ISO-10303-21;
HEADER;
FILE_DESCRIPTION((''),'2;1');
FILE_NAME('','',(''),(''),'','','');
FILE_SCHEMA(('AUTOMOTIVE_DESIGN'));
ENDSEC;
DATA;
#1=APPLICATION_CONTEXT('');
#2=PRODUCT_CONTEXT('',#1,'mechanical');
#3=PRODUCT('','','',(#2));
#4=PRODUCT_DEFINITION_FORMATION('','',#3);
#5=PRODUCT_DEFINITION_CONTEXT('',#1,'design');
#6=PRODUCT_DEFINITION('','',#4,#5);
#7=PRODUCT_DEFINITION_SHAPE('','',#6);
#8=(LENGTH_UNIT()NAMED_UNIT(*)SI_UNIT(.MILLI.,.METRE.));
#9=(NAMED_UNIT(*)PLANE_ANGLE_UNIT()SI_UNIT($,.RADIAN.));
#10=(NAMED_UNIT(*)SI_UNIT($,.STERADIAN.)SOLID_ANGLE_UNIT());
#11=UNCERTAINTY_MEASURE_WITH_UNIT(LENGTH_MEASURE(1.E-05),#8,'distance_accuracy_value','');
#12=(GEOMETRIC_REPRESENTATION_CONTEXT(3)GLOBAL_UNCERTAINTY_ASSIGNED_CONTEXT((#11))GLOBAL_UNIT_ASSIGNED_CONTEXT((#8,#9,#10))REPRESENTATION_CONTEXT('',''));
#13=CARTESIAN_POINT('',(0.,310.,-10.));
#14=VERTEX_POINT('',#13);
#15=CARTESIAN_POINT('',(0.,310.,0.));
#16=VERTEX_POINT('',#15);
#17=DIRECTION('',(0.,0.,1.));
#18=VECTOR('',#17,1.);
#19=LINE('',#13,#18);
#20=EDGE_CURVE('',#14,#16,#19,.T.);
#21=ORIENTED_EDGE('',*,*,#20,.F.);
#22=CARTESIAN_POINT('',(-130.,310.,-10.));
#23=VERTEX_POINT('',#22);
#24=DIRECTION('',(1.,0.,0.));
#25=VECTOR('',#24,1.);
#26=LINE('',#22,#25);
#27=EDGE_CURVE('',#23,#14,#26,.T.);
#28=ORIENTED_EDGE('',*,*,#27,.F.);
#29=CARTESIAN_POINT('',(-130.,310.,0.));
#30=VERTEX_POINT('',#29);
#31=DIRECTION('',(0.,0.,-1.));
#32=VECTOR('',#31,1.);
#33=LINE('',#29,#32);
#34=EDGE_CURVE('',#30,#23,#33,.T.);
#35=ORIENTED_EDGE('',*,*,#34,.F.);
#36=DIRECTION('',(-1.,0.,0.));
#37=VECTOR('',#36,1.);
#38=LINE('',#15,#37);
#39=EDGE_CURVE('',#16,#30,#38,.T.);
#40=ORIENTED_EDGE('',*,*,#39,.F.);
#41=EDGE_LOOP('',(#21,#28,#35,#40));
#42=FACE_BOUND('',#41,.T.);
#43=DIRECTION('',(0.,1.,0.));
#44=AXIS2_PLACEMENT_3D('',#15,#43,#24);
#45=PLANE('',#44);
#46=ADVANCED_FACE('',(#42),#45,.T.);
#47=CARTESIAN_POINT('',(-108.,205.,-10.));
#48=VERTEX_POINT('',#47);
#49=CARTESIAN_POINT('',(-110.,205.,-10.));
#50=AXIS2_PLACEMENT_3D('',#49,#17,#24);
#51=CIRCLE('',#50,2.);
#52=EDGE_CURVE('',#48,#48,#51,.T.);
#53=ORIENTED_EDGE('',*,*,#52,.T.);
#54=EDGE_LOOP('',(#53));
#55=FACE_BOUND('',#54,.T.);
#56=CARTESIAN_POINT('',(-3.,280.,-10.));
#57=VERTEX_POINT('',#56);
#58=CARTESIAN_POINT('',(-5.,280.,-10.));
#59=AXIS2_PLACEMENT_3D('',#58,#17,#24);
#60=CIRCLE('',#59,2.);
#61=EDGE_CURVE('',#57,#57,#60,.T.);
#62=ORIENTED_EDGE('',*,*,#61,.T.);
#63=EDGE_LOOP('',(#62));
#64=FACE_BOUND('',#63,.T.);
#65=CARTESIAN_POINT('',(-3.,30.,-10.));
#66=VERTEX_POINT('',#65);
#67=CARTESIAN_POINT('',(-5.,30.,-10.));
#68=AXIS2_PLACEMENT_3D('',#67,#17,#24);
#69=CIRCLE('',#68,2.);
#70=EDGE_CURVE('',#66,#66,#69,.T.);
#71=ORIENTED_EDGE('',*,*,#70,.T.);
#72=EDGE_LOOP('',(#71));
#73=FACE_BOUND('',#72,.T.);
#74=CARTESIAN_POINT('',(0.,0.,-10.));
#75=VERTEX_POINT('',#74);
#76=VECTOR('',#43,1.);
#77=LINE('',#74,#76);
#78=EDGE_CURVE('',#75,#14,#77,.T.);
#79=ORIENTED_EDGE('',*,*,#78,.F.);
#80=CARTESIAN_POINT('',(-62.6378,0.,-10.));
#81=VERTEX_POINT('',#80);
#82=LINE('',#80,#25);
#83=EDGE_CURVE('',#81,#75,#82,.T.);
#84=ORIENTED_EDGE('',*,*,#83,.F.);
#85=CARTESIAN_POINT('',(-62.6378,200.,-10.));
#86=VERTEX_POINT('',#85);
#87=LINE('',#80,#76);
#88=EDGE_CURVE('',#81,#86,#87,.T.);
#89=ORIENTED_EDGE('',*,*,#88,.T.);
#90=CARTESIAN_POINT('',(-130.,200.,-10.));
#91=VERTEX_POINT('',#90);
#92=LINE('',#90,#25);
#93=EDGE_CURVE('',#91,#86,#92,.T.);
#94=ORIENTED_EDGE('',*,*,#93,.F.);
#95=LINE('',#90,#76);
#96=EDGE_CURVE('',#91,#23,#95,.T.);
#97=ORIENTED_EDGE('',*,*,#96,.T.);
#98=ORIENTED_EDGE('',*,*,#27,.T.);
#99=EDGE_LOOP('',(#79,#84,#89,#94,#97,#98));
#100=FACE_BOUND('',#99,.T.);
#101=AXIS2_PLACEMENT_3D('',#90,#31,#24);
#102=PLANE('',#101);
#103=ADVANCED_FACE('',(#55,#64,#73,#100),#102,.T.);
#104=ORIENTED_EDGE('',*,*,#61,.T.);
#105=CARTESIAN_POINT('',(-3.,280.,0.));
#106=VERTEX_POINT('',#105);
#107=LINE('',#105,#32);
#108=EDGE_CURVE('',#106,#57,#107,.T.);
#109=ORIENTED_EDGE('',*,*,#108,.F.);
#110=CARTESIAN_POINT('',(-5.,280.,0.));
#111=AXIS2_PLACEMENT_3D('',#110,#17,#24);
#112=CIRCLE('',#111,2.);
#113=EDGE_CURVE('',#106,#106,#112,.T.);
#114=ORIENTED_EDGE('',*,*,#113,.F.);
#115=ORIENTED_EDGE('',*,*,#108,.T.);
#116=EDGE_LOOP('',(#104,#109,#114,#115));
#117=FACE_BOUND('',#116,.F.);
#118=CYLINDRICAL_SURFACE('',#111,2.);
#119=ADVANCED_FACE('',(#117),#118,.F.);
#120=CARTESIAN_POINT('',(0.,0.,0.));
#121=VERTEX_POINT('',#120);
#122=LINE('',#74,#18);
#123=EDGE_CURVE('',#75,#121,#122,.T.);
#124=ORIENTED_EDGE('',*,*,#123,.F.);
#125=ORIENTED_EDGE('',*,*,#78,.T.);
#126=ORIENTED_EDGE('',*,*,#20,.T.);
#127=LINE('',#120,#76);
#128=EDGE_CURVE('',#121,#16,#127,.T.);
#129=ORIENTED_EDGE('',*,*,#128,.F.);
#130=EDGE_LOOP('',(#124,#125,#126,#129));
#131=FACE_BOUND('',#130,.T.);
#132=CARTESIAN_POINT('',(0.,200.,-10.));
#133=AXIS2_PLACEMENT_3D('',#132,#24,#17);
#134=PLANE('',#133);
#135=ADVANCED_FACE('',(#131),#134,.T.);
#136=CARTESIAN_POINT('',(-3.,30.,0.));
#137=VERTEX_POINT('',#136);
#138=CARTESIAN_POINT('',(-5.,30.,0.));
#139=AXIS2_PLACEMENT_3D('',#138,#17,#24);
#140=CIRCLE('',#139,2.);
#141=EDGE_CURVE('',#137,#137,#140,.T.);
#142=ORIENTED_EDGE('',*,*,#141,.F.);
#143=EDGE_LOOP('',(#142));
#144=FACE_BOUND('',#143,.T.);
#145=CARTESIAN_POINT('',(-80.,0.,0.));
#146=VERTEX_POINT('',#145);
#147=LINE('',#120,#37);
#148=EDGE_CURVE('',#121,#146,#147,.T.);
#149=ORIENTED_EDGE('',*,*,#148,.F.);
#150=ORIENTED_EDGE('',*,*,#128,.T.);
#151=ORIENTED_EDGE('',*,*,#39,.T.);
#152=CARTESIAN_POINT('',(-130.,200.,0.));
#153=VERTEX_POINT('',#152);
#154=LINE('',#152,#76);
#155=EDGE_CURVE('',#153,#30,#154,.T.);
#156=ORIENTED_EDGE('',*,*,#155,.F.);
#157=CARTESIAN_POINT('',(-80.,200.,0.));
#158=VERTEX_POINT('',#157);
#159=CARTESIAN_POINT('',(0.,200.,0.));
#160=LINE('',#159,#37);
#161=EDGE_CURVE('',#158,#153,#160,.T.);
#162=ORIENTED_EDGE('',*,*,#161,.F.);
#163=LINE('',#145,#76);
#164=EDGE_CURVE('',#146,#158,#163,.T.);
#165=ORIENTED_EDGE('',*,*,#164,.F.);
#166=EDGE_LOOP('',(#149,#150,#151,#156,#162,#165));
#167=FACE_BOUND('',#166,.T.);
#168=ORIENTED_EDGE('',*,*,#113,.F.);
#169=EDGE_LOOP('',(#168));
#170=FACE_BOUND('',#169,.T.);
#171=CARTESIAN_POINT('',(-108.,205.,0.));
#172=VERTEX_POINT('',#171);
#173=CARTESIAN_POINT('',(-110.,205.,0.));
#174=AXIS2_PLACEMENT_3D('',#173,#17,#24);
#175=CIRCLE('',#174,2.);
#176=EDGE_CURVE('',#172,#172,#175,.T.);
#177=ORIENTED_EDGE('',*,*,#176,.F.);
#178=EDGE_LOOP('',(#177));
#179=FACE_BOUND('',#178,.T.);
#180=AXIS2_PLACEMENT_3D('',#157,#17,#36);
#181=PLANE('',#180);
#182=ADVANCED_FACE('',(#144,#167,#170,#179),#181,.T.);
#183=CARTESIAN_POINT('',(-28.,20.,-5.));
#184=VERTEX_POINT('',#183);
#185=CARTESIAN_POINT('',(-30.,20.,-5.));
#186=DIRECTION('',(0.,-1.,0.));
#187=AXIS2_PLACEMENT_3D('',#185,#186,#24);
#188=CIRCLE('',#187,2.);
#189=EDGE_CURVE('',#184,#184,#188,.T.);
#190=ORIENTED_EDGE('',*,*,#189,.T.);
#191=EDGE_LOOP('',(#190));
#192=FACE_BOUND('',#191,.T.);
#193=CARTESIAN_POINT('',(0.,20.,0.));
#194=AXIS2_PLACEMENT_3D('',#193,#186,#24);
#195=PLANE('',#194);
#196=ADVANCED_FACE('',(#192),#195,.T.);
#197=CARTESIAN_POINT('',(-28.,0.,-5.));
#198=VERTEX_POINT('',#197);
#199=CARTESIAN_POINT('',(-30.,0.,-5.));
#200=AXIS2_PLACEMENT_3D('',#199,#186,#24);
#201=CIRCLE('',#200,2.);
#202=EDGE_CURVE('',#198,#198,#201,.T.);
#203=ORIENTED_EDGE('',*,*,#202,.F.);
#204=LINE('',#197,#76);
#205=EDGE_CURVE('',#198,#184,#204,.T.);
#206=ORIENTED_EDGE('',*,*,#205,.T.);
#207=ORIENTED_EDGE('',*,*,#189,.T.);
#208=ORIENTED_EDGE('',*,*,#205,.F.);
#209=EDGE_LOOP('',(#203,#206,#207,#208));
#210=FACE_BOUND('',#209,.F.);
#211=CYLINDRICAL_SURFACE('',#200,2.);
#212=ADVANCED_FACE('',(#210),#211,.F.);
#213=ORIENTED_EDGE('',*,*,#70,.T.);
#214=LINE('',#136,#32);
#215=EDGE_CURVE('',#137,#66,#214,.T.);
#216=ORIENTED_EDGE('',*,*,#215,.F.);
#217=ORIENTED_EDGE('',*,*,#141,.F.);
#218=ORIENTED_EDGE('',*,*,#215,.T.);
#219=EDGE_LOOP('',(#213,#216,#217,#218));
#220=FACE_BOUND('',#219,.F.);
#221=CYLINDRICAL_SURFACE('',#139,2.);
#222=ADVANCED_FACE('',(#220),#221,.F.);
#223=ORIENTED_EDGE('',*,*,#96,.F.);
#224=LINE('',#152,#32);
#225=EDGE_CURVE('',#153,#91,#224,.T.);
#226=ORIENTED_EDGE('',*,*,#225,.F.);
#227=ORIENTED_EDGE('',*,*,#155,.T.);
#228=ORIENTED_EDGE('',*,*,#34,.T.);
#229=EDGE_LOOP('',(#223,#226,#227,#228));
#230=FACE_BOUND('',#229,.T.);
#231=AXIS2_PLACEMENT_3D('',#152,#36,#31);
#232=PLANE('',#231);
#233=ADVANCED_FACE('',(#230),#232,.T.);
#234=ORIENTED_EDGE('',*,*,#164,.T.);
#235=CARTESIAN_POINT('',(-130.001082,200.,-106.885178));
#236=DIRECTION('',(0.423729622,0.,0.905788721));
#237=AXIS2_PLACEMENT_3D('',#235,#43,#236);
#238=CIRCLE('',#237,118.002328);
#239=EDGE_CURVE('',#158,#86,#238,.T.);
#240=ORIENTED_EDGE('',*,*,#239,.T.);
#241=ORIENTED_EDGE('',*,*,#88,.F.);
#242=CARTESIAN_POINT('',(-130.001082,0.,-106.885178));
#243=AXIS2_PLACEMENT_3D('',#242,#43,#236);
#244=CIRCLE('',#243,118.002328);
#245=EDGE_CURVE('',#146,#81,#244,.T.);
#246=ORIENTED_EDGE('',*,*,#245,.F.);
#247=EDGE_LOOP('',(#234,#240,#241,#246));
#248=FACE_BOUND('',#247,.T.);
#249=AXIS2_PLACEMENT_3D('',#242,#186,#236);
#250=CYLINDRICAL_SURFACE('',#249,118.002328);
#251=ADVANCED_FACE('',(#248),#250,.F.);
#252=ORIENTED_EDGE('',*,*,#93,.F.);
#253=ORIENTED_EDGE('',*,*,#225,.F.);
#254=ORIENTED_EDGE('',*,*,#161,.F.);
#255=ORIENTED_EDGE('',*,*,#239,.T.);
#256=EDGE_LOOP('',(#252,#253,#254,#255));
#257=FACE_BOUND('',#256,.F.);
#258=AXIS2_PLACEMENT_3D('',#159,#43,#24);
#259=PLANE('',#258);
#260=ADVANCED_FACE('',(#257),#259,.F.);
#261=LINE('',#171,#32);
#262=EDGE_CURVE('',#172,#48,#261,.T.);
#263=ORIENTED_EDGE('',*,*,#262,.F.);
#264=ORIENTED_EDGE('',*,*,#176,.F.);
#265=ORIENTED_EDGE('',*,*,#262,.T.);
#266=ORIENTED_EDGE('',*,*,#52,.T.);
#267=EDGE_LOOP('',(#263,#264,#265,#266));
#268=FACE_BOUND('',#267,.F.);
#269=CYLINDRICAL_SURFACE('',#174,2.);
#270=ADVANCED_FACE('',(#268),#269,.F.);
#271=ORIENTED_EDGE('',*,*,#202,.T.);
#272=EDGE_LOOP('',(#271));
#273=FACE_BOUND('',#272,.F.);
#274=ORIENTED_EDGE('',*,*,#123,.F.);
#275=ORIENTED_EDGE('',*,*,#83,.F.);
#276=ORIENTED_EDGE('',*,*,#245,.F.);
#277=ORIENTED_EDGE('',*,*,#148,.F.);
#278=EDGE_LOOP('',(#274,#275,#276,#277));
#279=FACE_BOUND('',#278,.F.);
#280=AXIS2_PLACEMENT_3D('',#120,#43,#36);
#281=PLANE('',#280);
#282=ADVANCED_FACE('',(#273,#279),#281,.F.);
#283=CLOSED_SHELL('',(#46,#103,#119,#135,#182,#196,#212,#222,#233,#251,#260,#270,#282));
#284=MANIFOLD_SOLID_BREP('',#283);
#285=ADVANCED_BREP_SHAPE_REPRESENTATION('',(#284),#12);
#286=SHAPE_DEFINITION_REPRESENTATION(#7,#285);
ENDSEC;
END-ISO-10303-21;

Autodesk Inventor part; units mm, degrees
ref_plane "YZ Plane" through (0, 0, 0) normal (1, 0, 0) x (0, 1, 0)
ref_plane "XZ Plane" through (0, 0, 0) normal (0, 1, 0) x (-1, 0, 0)
ref_plane "XY Plane" through (0, 0, 0) normal (0, 0, 1) x (1, 0, 0)
sketch "Sketch3" plane through (0, 0, 0) normal (0, 1, 0) x (-1, 0, 0)
  line L0 (0, 0) -> (80, 0)
  line L1 (62.6378, -10) -> (0, -10)
  line L2 (0, -10) -> (0, 0)
  arc A0 (80, 0) -> (62.6378, -10) centre (130, -106.8831) ccw
  point P0 (34, -10)
  dimension "d20" = 118
  dimension "d22" = 10
  dimension "d23" = 50
  dimension "d24" = 80
extrude "Extrusion3" add sketch "Sketch3" along normal blind 200
sketch "Sketch6" plane through (0, 200, 0) normal (0, 1, 0) x (1, 0, 0)
  line L0 (-80, 0) -> (0, 0) projected
  line L1 (0, 0) -> (-130, 0)
  line L2 (-130, 0) -> (-130, 10)
  line L3 (-130, 10) -> (0, 10)
  line L4 (0, 10) -> (0, 0)
  dimension "d42" = 130
  dimension "d43" = 10
sketch "Sketch5" plane through (0, 0, 0) normal (0, -1, 0) x (1, 0, 0)
  circle A0 centre (-30, -5) radius 2
  line L0 (0, -10) -> (0, 0) projected
  line L1 (0, 0) -> (-80, 0) projected
  dimension "d37" = 4
  dimension "d38" = 30
  dimension "d39" = 5
extrude "Extrusion5" cut sketch "Sketch5" against normal blind 20
sketch "Sketch4" plane through (-80, 0, 0) normal (0, 0, 1) x (1, 0, 0)
  circle A0 centre (75, 30) radius 2
  line L0 (80, 0) -> (80, 200) projected
  line L1 (80, 0) -> (0, 0) projected
  circle A1 centre (75, 280) radius 2
  dimension "d25" = 4
  dimension "d26" = 5
  dimension "d27" = 30
  dimension "d30" = 250
extrude "Extrusion6" add sketch "Sketch6" along normal blind 110
extrude "Extrusion7" cut sketch "Sketch4" against normal through all
sketch "Sketch7" plane through (-80, 0, 0) normal (0, 0, 1) x (1, 0, 0)
  circle A0 centre (-30, 205) radius 2
  line L0 (0, 200) -> (-50, 200) projected
  line L1 (-50, 200) -> (-50, 310) projected
  point P0 (80, 0)
  dimension "d48" = 4
  dimension "d49" = 5
  dimension "d50" = 20
extrude "Extrusion8" cut sketch "Sketch7" against normal through all
equation "\"d48\" = screws"
equation "\"screws\" = 4"
properties part number "box_front_right"
